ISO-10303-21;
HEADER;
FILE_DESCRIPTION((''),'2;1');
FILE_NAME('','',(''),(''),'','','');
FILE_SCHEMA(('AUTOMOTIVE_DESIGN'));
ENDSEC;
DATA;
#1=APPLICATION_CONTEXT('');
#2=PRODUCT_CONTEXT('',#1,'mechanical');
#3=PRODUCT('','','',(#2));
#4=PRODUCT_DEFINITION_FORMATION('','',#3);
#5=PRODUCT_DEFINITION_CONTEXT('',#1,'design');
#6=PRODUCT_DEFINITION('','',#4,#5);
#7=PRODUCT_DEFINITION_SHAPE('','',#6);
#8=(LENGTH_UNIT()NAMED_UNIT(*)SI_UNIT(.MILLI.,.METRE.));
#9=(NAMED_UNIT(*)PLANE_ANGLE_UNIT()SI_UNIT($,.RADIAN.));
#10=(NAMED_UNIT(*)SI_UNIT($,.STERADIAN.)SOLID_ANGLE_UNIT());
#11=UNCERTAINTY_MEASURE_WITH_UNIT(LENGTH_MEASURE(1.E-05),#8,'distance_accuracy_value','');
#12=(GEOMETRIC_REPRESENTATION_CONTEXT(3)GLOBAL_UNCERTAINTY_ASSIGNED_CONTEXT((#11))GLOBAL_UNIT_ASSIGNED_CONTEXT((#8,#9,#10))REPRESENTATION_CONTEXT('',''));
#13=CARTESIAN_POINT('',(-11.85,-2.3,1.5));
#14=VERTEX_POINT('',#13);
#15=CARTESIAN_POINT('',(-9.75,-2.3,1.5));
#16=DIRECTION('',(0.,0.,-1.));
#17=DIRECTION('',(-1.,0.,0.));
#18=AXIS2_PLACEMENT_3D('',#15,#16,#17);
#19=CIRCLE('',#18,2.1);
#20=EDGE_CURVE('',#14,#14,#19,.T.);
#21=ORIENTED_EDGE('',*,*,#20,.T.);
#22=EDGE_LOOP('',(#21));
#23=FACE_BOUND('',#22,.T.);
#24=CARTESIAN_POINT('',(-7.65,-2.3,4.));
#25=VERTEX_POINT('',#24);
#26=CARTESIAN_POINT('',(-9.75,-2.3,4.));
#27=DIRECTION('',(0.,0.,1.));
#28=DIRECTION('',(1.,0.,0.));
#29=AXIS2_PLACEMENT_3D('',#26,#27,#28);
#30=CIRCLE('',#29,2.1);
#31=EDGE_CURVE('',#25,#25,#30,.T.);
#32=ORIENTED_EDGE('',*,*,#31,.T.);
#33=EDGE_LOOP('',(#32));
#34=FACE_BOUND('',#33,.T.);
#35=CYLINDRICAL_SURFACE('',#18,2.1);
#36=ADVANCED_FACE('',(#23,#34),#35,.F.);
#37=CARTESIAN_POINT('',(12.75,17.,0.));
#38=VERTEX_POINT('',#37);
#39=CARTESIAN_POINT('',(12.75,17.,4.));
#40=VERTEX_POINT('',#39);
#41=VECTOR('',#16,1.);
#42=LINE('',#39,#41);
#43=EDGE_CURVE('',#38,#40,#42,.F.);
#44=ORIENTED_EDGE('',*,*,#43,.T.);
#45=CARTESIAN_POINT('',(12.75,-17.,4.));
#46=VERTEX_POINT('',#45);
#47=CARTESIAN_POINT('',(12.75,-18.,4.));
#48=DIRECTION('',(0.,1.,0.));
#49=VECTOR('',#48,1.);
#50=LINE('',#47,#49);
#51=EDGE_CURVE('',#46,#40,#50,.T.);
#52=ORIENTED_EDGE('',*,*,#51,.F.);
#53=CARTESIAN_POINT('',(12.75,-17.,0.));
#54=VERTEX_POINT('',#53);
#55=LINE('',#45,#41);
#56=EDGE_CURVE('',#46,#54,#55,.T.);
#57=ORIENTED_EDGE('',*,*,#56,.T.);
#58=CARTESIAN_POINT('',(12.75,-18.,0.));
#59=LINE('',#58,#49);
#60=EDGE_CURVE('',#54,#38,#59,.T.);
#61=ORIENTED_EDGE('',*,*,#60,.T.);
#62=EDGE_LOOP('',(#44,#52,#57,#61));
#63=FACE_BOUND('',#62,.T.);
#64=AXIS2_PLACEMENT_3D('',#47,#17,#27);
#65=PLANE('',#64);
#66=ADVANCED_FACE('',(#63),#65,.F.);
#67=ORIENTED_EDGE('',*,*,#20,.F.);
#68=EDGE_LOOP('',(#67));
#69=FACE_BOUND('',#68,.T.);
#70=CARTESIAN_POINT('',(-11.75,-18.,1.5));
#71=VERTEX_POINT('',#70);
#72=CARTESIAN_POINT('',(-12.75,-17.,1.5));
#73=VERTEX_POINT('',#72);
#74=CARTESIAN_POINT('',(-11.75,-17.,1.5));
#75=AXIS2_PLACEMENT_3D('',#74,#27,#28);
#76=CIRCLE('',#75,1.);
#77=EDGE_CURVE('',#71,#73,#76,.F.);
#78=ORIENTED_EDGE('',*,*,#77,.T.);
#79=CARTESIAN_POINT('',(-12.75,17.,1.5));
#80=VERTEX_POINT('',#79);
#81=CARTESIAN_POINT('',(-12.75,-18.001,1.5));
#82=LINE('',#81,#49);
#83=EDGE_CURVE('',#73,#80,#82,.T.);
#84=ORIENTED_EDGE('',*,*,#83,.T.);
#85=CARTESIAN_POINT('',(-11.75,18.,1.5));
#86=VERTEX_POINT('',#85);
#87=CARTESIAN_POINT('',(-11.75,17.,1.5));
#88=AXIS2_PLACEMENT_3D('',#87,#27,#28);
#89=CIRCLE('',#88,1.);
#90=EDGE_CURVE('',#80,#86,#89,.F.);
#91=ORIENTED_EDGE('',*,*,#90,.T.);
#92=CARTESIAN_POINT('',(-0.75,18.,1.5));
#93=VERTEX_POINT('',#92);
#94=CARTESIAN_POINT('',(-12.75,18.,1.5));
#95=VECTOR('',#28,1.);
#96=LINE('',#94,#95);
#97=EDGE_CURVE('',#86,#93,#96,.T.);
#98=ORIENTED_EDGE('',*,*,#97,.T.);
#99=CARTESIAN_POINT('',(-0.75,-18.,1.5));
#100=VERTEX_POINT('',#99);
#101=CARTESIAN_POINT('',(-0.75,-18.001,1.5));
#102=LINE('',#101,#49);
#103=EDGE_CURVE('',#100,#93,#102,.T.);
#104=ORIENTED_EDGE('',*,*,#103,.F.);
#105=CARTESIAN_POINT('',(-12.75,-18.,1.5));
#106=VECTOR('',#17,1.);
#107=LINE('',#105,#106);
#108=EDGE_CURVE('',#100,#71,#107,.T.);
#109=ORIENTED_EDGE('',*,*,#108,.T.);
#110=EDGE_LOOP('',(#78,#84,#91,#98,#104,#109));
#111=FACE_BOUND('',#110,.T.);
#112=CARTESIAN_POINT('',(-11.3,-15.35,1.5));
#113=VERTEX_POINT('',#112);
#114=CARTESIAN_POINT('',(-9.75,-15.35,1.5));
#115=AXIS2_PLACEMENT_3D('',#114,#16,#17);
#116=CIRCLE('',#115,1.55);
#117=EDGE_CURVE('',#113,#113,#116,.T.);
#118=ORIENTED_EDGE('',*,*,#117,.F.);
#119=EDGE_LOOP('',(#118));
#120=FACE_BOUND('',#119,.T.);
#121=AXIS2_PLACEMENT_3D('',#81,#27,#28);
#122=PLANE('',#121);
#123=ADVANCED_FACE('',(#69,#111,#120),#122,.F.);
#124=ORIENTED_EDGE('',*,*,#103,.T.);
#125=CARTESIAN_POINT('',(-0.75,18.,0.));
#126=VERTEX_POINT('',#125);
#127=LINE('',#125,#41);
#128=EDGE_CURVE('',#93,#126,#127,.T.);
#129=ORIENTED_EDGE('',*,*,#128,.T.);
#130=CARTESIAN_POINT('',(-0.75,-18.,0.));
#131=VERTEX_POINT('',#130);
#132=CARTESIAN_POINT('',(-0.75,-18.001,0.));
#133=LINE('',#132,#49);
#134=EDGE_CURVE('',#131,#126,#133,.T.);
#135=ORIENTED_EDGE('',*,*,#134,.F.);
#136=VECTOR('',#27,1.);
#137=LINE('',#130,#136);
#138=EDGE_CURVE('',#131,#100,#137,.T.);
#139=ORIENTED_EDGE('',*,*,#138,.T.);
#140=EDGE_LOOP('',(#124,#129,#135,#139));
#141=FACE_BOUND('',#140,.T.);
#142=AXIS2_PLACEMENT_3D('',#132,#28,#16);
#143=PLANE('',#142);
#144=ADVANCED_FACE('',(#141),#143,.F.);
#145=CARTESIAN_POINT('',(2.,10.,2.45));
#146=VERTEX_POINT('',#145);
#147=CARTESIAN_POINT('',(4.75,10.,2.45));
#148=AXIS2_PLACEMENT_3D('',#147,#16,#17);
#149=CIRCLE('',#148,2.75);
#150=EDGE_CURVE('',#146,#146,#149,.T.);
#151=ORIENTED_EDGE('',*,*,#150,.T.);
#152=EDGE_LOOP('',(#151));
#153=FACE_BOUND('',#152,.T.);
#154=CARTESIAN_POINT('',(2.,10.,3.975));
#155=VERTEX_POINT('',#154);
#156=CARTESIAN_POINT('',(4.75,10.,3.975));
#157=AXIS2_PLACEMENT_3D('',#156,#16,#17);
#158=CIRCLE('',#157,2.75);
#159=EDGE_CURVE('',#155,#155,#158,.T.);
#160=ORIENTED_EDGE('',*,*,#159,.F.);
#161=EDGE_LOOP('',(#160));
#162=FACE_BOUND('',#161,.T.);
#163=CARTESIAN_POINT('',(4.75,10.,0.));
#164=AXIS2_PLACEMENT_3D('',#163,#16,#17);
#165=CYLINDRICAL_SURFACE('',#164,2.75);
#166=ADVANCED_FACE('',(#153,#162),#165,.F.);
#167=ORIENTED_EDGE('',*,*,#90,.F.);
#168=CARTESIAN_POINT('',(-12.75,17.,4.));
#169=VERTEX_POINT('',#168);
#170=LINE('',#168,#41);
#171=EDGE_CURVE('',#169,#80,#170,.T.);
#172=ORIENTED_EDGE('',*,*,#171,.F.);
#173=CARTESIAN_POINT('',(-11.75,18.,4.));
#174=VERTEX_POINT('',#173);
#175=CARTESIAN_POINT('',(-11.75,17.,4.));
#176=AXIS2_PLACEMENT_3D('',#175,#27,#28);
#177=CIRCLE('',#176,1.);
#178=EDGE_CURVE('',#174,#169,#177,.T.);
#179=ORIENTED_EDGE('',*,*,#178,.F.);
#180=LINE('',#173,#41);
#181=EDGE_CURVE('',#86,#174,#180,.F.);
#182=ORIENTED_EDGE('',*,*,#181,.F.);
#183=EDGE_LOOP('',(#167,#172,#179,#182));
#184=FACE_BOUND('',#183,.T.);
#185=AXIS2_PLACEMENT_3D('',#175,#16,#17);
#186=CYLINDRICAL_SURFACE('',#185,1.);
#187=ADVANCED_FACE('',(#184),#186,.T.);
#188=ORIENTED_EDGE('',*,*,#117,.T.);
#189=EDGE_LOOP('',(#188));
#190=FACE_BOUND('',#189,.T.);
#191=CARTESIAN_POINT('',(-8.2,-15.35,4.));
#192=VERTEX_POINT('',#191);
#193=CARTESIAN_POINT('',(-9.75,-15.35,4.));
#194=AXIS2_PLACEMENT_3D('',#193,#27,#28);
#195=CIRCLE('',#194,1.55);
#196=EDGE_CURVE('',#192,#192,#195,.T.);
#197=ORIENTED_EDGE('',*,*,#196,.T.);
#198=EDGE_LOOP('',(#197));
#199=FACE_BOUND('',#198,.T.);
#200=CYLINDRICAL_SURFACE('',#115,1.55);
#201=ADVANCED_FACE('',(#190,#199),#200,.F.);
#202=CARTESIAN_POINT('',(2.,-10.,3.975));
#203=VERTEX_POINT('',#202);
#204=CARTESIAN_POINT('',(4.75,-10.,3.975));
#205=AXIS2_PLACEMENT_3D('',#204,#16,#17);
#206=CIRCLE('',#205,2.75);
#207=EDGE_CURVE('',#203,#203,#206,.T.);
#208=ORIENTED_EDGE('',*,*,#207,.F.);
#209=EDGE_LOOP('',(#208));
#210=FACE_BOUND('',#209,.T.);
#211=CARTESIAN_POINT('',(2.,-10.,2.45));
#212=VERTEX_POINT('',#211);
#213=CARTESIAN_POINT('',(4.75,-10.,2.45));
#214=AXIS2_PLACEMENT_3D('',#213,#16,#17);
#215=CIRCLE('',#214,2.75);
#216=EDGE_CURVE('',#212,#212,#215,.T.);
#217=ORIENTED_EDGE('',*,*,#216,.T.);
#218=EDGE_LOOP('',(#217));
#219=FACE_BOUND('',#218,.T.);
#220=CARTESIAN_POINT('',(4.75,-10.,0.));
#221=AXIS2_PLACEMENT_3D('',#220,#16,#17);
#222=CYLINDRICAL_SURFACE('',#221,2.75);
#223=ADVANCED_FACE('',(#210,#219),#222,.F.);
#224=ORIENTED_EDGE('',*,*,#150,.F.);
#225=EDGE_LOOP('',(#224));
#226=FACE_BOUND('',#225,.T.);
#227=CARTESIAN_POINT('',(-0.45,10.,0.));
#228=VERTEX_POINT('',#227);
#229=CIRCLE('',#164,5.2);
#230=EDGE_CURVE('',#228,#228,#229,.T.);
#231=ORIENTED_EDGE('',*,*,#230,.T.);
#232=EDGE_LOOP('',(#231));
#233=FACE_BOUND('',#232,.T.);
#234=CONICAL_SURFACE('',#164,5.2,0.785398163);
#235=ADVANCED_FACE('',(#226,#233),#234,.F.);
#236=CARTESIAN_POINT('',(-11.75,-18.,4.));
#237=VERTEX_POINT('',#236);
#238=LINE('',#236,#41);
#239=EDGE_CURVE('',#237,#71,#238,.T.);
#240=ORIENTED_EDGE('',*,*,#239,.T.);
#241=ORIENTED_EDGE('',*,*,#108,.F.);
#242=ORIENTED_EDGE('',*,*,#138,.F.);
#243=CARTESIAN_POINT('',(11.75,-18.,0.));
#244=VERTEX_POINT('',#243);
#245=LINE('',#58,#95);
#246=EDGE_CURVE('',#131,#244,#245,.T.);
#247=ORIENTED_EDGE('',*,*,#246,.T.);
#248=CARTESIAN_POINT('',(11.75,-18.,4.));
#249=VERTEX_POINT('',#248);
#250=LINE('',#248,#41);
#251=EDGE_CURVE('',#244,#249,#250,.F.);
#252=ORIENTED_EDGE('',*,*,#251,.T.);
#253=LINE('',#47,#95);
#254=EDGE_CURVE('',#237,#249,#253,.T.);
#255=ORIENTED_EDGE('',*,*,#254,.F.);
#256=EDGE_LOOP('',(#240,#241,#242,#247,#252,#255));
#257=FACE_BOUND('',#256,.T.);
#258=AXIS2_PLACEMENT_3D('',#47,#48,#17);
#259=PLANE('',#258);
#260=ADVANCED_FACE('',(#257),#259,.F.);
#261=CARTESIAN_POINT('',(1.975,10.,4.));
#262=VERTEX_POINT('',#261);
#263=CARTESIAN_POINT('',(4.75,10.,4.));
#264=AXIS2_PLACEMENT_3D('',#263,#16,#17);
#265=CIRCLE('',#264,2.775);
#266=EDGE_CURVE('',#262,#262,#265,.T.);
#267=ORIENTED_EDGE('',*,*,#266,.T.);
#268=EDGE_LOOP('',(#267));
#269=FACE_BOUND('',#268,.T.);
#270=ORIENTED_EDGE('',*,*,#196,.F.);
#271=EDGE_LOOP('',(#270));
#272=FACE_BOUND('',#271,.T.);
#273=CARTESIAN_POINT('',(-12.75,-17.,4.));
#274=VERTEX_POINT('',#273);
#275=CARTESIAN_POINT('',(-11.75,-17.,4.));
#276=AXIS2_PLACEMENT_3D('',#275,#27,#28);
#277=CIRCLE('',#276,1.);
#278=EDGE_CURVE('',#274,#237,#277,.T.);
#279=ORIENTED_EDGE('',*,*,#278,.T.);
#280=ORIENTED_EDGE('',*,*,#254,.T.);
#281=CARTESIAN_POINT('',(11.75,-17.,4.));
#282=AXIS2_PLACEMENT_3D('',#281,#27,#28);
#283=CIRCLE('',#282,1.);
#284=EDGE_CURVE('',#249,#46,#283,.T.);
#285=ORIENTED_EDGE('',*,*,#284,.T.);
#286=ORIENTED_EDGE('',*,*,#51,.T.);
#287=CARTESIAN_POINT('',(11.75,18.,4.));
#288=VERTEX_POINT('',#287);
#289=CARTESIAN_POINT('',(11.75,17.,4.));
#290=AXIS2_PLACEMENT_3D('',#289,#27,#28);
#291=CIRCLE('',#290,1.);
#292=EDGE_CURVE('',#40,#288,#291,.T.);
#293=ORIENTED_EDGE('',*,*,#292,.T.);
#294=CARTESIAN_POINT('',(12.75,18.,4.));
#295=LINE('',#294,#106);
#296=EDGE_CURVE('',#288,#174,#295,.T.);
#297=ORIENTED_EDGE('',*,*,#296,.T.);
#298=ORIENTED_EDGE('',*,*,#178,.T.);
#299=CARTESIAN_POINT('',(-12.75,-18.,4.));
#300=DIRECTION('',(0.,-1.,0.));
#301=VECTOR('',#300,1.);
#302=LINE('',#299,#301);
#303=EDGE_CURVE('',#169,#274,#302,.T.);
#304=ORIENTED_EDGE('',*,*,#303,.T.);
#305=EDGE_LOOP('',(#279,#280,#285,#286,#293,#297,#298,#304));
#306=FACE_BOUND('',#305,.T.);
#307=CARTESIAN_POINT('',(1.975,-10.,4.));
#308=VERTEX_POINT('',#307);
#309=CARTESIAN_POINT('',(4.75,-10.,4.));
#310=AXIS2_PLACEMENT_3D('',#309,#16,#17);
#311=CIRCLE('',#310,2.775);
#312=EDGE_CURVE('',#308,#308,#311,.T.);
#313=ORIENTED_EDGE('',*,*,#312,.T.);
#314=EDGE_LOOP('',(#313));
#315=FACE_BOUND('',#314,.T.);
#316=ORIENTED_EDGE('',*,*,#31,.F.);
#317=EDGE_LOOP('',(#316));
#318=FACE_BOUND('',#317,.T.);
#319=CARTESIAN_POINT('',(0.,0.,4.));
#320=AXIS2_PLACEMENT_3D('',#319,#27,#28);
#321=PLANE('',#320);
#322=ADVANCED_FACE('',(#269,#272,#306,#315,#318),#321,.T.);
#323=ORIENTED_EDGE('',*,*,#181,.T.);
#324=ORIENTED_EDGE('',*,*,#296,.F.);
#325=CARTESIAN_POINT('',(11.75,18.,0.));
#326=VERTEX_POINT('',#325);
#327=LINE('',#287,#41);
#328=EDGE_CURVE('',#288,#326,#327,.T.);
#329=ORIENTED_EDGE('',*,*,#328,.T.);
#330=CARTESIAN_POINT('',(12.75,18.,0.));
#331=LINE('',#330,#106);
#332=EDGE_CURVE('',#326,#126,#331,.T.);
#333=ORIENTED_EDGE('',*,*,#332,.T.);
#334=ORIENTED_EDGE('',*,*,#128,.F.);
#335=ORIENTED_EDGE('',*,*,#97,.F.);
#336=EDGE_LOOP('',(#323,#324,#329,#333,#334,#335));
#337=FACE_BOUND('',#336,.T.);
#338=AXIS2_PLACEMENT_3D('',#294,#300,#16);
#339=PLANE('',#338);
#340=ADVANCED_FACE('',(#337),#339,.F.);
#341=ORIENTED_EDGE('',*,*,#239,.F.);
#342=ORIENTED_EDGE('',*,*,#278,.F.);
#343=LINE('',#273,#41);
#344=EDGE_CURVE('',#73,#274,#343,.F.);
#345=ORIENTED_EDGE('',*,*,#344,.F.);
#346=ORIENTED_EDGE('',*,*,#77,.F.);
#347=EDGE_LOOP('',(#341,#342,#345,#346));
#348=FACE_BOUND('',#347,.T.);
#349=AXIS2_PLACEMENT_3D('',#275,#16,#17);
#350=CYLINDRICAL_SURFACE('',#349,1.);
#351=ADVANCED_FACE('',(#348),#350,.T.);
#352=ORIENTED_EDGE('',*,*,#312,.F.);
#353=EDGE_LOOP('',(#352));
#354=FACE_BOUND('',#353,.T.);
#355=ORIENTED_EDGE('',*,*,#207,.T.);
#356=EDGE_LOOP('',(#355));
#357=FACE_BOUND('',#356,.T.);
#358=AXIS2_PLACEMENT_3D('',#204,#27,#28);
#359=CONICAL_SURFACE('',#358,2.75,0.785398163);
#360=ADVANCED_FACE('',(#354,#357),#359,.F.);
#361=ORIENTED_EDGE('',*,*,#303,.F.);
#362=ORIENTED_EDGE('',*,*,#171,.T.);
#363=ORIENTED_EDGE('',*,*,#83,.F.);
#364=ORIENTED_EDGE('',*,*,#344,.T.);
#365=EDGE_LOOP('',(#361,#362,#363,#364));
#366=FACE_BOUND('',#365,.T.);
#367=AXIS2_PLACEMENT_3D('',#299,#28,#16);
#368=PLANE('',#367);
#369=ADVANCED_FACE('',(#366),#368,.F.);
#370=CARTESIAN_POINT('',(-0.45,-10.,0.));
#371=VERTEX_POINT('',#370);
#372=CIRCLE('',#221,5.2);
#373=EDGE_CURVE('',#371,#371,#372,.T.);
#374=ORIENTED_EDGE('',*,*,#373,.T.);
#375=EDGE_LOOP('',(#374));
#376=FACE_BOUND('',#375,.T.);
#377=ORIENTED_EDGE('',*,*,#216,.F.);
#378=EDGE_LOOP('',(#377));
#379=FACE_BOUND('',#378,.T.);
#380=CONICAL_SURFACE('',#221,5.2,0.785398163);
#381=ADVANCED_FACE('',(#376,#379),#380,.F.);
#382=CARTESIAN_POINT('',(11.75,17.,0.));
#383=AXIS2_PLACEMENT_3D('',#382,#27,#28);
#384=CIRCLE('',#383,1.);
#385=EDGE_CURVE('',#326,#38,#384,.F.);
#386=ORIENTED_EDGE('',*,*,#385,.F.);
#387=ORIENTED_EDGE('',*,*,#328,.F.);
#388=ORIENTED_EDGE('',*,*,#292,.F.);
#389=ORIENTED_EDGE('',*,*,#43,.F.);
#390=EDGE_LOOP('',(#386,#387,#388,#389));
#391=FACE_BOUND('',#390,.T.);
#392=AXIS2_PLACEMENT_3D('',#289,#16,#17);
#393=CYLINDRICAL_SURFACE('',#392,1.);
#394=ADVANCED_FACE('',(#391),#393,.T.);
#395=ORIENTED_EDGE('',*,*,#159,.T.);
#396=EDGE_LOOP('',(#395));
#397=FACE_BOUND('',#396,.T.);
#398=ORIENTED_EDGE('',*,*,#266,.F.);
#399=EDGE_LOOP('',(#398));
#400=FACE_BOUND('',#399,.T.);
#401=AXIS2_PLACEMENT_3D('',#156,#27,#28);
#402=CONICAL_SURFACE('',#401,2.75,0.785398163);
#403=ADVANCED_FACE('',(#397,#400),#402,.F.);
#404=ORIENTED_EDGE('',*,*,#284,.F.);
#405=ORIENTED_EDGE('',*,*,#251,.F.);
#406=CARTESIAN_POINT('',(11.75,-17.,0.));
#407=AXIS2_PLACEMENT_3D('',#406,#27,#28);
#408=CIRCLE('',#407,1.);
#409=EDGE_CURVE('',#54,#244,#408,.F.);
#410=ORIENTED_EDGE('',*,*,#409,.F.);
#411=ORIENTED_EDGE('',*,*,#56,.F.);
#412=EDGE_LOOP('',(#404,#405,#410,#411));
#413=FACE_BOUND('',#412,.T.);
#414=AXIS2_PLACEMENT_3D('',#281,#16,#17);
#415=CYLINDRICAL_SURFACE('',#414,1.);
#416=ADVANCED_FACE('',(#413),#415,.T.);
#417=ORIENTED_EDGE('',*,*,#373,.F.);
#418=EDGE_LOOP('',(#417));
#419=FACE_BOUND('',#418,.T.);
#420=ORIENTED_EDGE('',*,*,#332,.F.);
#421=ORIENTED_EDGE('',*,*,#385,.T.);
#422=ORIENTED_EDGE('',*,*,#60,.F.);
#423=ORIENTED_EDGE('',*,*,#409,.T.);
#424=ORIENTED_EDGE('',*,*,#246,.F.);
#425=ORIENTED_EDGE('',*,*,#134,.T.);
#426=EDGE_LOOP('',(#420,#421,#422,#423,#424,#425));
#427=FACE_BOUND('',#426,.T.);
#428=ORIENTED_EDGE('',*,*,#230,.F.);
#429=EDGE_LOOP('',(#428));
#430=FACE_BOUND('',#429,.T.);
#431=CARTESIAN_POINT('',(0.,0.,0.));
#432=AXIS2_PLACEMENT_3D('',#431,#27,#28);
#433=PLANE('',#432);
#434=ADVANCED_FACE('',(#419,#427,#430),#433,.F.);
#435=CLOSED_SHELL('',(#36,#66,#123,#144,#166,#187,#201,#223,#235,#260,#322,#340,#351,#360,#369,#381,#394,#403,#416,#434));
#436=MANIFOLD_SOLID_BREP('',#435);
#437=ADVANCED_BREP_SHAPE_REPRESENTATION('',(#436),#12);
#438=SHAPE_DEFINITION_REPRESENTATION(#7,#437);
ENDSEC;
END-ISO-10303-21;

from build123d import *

# Parameters (mm, degrees)
SKETCH1_W                                    = 25.5
SKETCH1_H                                    = 36
BOSS_EXTRUDE1_DEPTH                          = 4
CUT_EXTRUDE1_REACH                           = 40.4
SKETCH2_W                                    = 12
SKETCH2_H                                    = 1.5
CSK_FOR_M5_COUNTERSUNK_FLAT_HEAD_SCR_2_COUNT = 2
CSK_FOR_M5_COUNTERSUNK_FLAT_HEAD_SCR_2_PITCH = 20
M3_CLEARANCE_HOLE1_D                         = 3.1
HOLE1_D                                      = 4.2
FILLET1_R                                    = 1


with BuildPart() as part:
    # Sketch1 → Boss-Extrude1 (new body)
    with BuildSketch(Plane.XY):
        Rectangle(SKETCH1_W, SKETCH1_H)
    extrude(amount=BOSS_EXTRUDE1_DEPTH)

    # Sketch2 → Cut-Extrude1 (cut, up to next)
    with BuildSketch(Plane(origin=(0, 18, 0), x_dir=(1, 0, 0), z_dir=(0, 1, 0)), mode=Mode.PRIVATE) as cut_extrude1_sk1:
        with Locations((-6.75, -0.75)):
            Rectangle(SKETCH2_W, SKETCH2_H)
    cut_extrude1_tool1 = extrude(cut_extrude1_sk1.sketch, amount=-CUT_EXTRUDE1_REACH, mode=Mode.PRIVATE) & part.part
    add(cut_extrude1_tool1.solids().sort_by_distance((-6.75, 18, 0.75))[0], mode=Mode.SUBTRACT)

    # Sketch5 → CSK for M5 Countersunk Flat Head Screw1 (revolve, cut)
    with BuildSketch(Plane(origin=(4.75, 10, 0), x_dir=(0, 1, 0), z_dir=(1, 0, 0))):
        Polygon((0, 0), (0, 4), (2.775, 4), (2.75, 3.975), (2.75, 2.45), (5.2, 0), align=None)
    csk_for_m5_countersunk_flat_head_screw1 = revolve(axis=Axis((4.75, 10, -6.35), (0, 0, 1)), mode=Mode.SUBTRACT)

    # CSK for M5 Countersunk Flat Head Scr 2: CSK for M5 Countersunk Flat Head Screw1 ×2
    with Locations(*[(0, -i * CSK_FOR_M5_COUNTERSUNK_FLAT_HEAD_SCR_2_PITCH, 0) for i in range(1, CSK_FOR_M5_COUNTERSUNK_FLAT_HEAD_SCR_2_COUNT)]):
        add(csk_for_m5_countersunk_flat_head_screw1, mode=Mode.SUBTRACT)

    # M3 Clearance Hole1 (through all)
    with Locations(Plane(origin=(0, 0, 1.5), x_dir=(-1, 0, 0), z_dir=(0, 0, -1))):
        with Locations((9.75, -15.35)):
            Hole(M3_CLEARANCE_HOLE1_D / 2)

    # Hole1 (through all)
    with Locations(Plane(origin=(0, 0, 1.5), x_dir=(-1, 0, 0), z_dir=(0, 0, -1))):
        with Locations((9.75, -2.3)):
            Hole(HOLE1_D / 2)

    # Fillet1
    fillet1_edges = [part.edges().sort_by_distance(p)[0] for p in [
        (-12.75, 18, 2.75),
        (12.75, 18, 2),
        (12.75, -18, 2),
        (-12.75, -18, 2.75),
    ]]
    fillet(fillet1_edges, radius=FILLET1_R)


solid = part.part
